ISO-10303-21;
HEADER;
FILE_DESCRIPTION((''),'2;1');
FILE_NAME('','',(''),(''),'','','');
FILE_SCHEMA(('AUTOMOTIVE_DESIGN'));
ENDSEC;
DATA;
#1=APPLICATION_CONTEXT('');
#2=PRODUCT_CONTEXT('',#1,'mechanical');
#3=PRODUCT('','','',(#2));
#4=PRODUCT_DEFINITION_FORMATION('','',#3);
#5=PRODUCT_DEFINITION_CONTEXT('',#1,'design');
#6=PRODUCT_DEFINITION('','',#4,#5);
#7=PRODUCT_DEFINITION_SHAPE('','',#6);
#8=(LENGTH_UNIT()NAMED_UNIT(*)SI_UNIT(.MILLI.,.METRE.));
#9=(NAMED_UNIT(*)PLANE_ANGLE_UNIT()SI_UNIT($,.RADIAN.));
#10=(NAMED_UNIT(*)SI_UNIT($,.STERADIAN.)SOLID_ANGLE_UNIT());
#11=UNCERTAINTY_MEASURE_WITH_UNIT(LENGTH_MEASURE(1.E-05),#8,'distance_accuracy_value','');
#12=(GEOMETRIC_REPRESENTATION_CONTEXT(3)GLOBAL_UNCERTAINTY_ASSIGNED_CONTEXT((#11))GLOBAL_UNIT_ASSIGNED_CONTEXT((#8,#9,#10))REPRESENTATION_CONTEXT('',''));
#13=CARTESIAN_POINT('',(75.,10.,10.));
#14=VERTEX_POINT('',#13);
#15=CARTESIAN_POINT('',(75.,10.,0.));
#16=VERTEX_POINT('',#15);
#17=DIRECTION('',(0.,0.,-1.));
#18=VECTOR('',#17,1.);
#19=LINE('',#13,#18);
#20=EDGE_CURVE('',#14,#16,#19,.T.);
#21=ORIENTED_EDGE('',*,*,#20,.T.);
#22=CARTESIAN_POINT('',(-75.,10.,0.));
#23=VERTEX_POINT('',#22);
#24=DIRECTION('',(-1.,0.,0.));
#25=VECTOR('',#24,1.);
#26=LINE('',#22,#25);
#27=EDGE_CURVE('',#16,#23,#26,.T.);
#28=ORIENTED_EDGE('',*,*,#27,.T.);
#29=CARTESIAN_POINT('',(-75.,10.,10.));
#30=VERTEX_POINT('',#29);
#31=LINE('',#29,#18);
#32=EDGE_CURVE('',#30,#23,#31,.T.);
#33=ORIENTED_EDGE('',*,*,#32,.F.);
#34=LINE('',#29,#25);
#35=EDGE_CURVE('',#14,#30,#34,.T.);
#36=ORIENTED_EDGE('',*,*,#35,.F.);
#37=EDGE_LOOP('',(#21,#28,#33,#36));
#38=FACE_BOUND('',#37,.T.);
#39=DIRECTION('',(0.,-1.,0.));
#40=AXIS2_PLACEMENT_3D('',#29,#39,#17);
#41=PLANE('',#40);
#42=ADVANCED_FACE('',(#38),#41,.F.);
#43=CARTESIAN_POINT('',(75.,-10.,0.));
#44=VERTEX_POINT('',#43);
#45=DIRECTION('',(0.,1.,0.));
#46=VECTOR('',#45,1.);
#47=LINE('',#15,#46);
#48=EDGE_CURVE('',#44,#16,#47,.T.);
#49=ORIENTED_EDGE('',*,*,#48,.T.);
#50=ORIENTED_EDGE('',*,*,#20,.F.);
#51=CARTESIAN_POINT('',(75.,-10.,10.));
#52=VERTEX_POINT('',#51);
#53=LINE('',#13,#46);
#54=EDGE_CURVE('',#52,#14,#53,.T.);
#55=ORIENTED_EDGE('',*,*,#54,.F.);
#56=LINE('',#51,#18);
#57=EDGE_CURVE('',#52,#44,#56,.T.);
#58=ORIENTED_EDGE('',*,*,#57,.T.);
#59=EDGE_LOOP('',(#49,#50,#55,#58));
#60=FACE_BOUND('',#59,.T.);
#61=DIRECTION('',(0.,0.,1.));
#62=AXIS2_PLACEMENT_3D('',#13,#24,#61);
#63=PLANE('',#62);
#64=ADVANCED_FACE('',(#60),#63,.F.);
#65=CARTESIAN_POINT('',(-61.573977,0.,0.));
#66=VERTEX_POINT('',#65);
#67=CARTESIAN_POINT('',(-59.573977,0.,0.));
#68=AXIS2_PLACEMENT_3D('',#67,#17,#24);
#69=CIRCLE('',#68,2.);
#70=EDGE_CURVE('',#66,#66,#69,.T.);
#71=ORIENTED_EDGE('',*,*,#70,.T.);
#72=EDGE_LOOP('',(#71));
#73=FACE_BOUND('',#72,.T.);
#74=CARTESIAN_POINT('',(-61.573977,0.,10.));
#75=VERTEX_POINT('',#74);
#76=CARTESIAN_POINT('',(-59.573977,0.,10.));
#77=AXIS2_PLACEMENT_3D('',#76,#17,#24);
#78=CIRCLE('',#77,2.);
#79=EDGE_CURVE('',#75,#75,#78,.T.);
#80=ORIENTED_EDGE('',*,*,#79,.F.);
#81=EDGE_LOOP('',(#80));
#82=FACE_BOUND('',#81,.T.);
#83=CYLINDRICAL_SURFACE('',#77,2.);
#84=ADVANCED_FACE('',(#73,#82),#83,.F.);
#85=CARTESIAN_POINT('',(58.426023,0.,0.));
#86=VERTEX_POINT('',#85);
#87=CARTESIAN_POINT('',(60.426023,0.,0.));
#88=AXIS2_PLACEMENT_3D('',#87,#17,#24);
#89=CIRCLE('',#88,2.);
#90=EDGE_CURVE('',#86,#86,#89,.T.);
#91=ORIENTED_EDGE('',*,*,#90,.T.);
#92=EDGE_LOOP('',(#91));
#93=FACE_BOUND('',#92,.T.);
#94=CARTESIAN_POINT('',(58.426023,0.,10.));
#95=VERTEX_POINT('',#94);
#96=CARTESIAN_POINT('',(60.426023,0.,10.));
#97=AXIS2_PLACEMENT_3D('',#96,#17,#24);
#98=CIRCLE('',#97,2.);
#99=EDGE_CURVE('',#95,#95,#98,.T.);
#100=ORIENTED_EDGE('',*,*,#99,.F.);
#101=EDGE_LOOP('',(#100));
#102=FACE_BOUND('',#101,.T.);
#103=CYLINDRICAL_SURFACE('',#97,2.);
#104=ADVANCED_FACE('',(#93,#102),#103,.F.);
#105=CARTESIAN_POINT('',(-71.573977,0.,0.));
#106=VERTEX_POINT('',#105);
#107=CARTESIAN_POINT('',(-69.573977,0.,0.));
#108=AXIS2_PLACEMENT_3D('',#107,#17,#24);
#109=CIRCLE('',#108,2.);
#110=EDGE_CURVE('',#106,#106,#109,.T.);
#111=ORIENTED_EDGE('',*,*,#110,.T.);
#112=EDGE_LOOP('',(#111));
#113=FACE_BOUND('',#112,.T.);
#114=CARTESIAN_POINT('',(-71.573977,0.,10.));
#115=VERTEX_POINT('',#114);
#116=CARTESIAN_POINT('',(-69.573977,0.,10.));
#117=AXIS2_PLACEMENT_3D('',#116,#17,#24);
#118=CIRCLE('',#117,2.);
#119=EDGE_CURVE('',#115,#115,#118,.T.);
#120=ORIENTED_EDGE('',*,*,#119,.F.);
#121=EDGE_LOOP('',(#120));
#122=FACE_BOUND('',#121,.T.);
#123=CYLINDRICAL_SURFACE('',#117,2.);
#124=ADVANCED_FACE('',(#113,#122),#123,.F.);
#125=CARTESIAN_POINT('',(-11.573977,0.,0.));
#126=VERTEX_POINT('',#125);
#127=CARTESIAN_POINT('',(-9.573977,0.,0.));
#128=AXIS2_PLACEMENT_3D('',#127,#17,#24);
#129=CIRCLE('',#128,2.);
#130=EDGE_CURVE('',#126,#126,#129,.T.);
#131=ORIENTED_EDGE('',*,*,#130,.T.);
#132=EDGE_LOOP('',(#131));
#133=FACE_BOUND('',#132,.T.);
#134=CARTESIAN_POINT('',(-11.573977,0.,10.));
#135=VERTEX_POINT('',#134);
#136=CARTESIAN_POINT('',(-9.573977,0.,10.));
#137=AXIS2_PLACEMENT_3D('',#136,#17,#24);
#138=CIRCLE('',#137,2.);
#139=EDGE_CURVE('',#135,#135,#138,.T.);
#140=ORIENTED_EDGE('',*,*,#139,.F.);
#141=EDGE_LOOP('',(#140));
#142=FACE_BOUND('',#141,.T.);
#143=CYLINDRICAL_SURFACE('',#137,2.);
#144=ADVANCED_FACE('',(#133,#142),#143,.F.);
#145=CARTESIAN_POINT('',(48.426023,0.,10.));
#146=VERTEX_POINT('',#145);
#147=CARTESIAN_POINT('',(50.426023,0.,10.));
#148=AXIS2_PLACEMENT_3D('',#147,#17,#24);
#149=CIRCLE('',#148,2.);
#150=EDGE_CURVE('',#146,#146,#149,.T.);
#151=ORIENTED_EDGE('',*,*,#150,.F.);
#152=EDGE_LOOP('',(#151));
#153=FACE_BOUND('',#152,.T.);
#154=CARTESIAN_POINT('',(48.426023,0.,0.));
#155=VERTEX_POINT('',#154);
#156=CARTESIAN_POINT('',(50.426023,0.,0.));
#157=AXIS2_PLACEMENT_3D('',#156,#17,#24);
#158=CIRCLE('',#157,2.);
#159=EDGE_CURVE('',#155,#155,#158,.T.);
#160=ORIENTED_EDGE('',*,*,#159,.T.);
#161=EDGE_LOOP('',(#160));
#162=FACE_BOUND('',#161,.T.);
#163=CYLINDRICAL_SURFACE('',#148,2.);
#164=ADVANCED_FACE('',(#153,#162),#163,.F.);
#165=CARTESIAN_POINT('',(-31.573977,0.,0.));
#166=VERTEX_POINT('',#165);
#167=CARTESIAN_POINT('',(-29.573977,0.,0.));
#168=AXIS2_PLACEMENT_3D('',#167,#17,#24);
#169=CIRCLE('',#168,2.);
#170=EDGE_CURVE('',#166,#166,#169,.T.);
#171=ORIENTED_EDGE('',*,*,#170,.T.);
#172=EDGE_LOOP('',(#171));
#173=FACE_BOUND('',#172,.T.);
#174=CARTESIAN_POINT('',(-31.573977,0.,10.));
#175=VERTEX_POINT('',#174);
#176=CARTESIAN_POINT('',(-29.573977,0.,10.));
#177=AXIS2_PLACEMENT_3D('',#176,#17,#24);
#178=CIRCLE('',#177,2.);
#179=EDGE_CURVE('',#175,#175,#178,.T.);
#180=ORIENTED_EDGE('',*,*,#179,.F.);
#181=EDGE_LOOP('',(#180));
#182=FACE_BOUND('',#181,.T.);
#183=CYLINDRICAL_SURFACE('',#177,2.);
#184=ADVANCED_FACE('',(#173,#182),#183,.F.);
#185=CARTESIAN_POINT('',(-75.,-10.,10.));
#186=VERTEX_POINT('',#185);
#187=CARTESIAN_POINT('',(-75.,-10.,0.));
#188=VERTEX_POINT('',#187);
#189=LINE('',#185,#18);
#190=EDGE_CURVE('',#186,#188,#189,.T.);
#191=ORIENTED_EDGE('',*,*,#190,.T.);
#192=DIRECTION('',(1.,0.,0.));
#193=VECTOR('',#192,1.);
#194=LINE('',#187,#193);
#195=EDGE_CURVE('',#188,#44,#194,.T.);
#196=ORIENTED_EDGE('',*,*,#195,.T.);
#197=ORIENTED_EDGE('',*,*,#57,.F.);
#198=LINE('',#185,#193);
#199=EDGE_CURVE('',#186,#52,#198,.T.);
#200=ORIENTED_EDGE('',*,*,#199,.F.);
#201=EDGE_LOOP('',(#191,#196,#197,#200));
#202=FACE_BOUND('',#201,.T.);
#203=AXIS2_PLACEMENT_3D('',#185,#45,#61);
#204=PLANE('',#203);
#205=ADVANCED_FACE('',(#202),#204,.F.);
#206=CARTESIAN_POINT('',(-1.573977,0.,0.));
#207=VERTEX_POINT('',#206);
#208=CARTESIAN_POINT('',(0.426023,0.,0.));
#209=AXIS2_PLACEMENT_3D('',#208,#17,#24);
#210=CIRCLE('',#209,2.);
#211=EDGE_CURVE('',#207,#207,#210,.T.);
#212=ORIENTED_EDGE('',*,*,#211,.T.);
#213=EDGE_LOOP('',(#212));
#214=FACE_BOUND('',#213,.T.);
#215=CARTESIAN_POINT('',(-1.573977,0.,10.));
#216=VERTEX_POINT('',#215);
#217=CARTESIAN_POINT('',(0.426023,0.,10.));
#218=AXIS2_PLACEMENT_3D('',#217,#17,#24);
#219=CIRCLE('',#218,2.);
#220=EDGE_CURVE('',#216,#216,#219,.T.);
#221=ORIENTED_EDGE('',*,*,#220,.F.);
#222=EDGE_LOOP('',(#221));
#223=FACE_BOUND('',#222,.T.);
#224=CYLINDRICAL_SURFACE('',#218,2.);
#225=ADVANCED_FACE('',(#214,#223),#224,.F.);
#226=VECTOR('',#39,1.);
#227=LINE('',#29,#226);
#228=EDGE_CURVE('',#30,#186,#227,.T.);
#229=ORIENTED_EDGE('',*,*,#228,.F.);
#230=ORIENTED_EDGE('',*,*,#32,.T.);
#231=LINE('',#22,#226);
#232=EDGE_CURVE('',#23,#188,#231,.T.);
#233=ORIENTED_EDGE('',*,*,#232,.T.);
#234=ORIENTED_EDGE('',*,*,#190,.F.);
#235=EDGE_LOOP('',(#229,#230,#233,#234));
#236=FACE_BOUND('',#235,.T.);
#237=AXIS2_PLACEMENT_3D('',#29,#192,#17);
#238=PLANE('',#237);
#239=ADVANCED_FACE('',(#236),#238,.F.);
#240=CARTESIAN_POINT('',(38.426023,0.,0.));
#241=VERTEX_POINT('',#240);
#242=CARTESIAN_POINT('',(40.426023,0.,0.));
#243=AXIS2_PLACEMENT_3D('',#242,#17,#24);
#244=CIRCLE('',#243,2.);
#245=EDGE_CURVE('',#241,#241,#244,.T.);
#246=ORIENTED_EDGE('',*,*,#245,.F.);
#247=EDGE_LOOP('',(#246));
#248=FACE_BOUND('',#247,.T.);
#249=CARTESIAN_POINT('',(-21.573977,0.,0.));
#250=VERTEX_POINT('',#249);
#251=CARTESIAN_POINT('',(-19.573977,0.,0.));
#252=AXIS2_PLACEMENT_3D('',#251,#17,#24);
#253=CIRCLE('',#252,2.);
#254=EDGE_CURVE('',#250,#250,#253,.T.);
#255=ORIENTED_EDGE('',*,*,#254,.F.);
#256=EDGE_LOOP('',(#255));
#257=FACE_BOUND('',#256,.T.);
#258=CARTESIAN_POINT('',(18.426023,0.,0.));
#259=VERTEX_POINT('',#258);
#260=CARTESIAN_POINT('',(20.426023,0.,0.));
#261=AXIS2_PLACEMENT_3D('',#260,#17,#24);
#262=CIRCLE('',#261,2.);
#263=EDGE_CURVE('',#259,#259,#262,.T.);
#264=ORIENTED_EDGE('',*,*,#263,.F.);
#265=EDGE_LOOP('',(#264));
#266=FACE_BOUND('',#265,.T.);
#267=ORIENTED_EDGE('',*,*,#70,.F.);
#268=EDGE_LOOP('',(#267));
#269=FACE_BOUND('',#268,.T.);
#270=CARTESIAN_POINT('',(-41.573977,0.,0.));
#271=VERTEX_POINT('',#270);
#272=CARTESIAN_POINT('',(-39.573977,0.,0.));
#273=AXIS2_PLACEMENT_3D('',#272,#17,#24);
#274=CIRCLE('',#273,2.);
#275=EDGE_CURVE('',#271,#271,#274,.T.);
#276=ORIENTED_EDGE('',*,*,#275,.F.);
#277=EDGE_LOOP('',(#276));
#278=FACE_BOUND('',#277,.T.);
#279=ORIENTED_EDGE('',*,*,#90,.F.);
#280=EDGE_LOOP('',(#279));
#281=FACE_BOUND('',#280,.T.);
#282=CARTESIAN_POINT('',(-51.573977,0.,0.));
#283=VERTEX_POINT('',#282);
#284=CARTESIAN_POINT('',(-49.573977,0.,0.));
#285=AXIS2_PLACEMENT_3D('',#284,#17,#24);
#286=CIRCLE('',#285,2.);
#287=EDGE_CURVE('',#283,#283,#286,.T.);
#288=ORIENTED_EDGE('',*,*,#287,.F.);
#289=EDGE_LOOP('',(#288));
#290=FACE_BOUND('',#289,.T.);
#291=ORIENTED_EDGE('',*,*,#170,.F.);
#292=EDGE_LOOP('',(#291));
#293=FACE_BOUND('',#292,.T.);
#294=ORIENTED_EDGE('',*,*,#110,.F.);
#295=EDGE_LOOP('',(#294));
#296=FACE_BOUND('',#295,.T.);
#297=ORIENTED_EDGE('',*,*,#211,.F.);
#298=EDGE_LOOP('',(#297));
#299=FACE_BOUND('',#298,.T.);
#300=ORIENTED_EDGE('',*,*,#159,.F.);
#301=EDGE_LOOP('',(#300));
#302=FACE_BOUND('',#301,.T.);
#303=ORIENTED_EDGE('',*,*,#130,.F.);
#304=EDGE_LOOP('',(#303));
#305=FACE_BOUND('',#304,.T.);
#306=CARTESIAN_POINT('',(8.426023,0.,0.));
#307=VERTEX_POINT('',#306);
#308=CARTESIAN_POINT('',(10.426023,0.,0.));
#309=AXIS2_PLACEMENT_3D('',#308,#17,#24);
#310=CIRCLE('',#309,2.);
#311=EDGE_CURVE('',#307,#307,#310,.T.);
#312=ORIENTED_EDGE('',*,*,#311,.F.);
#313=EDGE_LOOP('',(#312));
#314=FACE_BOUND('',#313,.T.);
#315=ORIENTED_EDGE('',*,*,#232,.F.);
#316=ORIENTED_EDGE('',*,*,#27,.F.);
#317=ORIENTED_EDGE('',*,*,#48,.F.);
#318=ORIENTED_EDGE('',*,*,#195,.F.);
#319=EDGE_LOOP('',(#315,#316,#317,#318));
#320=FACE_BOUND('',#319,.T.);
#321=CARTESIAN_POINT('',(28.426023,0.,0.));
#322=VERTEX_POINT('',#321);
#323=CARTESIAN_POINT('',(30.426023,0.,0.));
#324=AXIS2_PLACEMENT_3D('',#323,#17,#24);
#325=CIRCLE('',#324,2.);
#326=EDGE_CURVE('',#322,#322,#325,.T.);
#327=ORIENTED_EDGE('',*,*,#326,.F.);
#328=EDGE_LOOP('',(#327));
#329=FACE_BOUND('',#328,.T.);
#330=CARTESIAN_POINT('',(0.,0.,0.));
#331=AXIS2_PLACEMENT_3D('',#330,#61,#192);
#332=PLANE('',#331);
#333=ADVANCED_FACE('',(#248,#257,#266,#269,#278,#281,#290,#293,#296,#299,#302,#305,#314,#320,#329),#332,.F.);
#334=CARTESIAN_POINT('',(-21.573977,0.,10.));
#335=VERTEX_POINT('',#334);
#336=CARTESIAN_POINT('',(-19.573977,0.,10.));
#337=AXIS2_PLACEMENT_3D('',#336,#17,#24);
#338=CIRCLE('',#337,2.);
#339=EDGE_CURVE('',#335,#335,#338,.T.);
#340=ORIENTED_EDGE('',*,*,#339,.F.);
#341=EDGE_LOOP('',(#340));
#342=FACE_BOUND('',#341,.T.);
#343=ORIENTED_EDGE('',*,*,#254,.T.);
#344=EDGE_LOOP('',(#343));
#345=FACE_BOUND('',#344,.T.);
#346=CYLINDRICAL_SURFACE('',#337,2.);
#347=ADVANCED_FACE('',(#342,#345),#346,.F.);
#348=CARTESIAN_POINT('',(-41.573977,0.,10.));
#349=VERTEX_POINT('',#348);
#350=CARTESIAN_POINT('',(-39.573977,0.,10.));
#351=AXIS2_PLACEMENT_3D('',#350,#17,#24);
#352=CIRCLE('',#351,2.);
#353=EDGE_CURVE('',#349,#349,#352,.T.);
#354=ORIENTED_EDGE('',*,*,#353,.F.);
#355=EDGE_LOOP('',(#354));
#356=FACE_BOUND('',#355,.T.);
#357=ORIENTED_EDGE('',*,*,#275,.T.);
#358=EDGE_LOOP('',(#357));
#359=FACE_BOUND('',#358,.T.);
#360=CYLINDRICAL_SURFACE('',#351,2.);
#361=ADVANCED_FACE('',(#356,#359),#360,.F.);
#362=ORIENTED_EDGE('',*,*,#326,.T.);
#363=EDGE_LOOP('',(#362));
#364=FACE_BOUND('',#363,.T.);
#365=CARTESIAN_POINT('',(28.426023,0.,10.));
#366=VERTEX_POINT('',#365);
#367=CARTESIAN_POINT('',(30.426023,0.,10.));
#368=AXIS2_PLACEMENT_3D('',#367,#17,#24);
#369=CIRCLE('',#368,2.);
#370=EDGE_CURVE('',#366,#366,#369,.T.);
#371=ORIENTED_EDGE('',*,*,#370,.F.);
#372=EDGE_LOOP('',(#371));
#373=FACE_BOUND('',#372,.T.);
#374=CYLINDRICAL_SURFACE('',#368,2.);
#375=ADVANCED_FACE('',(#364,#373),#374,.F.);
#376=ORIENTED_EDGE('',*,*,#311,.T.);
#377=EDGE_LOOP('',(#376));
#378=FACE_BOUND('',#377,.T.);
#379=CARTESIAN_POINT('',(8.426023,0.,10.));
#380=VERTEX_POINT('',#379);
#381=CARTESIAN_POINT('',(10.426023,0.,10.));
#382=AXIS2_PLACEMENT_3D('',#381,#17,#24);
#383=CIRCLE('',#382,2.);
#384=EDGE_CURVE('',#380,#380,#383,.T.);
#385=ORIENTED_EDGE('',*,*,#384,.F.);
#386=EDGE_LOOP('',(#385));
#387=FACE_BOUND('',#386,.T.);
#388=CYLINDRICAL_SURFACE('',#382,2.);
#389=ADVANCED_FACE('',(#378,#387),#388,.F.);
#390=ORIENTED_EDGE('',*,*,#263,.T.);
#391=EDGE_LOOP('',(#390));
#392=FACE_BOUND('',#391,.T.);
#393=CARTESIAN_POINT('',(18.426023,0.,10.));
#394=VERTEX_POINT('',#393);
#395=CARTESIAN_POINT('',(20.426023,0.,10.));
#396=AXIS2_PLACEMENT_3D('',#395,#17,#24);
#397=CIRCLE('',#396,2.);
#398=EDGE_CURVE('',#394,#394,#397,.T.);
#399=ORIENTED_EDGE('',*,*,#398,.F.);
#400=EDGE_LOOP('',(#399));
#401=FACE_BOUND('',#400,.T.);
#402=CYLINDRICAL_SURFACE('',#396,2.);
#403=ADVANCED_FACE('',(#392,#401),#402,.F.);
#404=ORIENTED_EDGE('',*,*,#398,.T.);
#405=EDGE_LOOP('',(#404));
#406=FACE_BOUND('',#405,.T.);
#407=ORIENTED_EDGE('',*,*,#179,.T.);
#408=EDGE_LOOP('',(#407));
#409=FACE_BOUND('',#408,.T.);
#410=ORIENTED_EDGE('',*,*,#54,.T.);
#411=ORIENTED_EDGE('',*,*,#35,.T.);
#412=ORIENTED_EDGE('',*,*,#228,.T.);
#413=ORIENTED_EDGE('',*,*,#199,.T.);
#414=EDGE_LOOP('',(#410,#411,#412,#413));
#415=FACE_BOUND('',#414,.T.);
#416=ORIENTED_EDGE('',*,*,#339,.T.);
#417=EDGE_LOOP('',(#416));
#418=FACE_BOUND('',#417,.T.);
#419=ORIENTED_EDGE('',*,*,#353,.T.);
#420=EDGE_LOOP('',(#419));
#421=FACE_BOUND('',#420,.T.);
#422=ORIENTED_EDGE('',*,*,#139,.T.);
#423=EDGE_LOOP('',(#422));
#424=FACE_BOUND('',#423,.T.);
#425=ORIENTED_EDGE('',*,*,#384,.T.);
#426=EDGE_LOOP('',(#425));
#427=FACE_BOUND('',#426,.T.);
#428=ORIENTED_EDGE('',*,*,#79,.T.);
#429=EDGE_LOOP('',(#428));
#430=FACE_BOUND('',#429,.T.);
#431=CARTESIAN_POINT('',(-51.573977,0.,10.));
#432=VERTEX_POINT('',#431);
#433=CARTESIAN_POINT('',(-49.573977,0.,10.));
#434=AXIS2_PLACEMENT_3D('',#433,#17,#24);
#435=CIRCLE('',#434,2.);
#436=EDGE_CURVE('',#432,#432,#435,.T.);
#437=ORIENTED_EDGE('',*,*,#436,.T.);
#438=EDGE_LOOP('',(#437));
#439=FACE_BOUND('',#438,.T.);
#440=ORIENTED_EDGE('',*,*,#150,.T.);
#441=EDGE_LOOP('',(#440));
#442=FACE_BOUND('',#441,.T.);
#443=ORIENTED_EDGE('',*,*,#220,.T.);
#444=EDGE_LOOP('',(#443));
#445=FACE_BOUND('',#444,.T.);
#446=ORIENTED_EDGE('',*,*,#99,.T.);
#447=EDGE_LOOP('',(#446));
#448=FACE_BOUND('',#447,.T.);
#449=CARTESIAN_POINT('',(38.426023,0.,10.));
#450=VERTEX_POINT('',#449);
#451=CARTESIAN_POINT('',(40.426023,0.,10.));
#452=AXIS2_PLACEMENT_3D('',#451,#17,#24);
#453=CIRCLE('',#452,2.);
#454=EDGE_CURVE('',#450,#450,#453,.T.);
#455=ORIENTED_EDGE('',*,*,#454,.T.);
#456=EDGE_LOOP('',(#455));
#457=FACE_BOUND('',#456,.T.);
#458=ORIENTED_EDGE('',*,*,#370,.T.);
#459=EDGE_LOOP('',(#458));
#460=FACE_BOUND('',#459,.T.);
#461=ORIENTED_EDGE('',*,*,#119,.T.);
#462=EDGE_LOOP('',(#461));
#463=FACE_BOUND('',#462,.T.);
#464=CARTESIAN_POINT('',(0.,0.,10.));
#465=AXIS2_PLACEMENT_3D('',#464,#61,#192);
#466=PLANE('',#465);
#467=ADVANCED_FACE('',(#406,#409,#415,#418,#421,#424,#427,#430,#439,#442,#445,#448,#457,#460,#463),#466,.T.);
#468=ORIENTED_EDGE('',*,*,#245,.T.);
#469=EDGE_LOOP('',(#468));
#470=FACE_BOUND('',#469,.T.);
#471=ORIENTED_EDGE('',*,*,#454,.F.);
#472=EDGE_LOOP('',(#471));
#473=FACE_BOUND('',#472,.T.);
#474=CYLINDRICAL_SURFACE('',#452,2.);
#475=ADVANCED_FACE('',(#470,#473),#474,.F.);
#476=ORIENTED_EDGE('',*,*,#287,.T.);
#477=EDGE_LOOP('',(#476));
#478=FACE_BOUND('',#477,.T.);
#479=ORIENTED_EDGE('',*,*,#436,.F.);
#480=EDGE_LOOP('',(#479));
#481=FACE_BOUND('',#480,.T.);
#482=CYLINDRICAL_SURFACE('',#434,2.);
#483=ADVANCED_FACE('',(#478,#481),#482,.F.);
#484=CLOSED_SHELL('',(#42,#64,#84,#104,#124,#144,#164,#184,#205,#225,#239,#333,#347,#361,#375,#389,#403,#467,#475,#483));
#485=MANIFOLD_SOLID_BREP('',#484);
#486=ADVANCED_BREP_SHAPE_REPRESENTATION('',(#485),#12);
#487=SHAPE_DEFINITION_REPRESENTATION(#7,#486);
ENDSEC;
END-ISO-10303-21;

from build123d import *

# Parameters (mm, degrees)
SKETCH_1_W          = 150
SKETCH_1_H          = 20
EXTRUDE_1_DEPTH     = 10
SKETCH_2_R          = 2
CUT_EXTRUDE_1_DEPTH = 10


with BuildPart() as part:
    # 草图1 → 凸台-拉伸1 (new body)
    with BuildSketch(Plane.XY):
        Rectangle(SKETCH_1_W, SKETCH_1_H)
    extrude(amount=EXTRUDE_1_DEPTH)

    # 草图2 → 切除-拉伸1 (cut)
    with BuildSketch(Plane(origin=(0, 0, 0), x_dir=(-1, 0, 0), z_dir=(0, 0, -1))):
        with Locations((69.573976668, 0)):
            Circle(SKETCH_2_R)
        with Locations((59.573976668, 0)):
            Circle(SKETCH_2_R)
        with Locations((49.573976668, 0)):
            Circle(SKETCH_2_R)
        with Locations((39.573976668, 0)):
            Circle(SKETCH_2_R)
        with Locations((29.573976668, 0)):
            Circle(SKETCH_2_R)
        with Locations((19.573976668, 0)):
            Circle(SKETCH_2_R)
        with Locations((9.573976668, 0)):
            Circle(SKETCH_2_R)
        with Locations((-0.426023332, 0)):
            Circle(SKETCH_2_R)
        with Locations((-10.426023332, 0)):
            Circle(SKETCH_2_R)
        with Locations((-20.426023332, 0)):
            Circle(SKETCH_2_R)
        with Locations((-30.426023332, 0)):
            Circle(SKETCH_2_R)
        with Locations((-40.426023332, 0)):
            Circle(SKETCH_2_R)
        with Locations((-50.426023332, 0)):
            Circle(SKETCH_2_R)
        with Locations((-60.426023332, 0)):
            Circle(SKETCH_2_R)
    extrude(amount=-CUT_EXTRUDE_1_DEPTH, mode=Mode.SUBTRACT)


solid = part.part
